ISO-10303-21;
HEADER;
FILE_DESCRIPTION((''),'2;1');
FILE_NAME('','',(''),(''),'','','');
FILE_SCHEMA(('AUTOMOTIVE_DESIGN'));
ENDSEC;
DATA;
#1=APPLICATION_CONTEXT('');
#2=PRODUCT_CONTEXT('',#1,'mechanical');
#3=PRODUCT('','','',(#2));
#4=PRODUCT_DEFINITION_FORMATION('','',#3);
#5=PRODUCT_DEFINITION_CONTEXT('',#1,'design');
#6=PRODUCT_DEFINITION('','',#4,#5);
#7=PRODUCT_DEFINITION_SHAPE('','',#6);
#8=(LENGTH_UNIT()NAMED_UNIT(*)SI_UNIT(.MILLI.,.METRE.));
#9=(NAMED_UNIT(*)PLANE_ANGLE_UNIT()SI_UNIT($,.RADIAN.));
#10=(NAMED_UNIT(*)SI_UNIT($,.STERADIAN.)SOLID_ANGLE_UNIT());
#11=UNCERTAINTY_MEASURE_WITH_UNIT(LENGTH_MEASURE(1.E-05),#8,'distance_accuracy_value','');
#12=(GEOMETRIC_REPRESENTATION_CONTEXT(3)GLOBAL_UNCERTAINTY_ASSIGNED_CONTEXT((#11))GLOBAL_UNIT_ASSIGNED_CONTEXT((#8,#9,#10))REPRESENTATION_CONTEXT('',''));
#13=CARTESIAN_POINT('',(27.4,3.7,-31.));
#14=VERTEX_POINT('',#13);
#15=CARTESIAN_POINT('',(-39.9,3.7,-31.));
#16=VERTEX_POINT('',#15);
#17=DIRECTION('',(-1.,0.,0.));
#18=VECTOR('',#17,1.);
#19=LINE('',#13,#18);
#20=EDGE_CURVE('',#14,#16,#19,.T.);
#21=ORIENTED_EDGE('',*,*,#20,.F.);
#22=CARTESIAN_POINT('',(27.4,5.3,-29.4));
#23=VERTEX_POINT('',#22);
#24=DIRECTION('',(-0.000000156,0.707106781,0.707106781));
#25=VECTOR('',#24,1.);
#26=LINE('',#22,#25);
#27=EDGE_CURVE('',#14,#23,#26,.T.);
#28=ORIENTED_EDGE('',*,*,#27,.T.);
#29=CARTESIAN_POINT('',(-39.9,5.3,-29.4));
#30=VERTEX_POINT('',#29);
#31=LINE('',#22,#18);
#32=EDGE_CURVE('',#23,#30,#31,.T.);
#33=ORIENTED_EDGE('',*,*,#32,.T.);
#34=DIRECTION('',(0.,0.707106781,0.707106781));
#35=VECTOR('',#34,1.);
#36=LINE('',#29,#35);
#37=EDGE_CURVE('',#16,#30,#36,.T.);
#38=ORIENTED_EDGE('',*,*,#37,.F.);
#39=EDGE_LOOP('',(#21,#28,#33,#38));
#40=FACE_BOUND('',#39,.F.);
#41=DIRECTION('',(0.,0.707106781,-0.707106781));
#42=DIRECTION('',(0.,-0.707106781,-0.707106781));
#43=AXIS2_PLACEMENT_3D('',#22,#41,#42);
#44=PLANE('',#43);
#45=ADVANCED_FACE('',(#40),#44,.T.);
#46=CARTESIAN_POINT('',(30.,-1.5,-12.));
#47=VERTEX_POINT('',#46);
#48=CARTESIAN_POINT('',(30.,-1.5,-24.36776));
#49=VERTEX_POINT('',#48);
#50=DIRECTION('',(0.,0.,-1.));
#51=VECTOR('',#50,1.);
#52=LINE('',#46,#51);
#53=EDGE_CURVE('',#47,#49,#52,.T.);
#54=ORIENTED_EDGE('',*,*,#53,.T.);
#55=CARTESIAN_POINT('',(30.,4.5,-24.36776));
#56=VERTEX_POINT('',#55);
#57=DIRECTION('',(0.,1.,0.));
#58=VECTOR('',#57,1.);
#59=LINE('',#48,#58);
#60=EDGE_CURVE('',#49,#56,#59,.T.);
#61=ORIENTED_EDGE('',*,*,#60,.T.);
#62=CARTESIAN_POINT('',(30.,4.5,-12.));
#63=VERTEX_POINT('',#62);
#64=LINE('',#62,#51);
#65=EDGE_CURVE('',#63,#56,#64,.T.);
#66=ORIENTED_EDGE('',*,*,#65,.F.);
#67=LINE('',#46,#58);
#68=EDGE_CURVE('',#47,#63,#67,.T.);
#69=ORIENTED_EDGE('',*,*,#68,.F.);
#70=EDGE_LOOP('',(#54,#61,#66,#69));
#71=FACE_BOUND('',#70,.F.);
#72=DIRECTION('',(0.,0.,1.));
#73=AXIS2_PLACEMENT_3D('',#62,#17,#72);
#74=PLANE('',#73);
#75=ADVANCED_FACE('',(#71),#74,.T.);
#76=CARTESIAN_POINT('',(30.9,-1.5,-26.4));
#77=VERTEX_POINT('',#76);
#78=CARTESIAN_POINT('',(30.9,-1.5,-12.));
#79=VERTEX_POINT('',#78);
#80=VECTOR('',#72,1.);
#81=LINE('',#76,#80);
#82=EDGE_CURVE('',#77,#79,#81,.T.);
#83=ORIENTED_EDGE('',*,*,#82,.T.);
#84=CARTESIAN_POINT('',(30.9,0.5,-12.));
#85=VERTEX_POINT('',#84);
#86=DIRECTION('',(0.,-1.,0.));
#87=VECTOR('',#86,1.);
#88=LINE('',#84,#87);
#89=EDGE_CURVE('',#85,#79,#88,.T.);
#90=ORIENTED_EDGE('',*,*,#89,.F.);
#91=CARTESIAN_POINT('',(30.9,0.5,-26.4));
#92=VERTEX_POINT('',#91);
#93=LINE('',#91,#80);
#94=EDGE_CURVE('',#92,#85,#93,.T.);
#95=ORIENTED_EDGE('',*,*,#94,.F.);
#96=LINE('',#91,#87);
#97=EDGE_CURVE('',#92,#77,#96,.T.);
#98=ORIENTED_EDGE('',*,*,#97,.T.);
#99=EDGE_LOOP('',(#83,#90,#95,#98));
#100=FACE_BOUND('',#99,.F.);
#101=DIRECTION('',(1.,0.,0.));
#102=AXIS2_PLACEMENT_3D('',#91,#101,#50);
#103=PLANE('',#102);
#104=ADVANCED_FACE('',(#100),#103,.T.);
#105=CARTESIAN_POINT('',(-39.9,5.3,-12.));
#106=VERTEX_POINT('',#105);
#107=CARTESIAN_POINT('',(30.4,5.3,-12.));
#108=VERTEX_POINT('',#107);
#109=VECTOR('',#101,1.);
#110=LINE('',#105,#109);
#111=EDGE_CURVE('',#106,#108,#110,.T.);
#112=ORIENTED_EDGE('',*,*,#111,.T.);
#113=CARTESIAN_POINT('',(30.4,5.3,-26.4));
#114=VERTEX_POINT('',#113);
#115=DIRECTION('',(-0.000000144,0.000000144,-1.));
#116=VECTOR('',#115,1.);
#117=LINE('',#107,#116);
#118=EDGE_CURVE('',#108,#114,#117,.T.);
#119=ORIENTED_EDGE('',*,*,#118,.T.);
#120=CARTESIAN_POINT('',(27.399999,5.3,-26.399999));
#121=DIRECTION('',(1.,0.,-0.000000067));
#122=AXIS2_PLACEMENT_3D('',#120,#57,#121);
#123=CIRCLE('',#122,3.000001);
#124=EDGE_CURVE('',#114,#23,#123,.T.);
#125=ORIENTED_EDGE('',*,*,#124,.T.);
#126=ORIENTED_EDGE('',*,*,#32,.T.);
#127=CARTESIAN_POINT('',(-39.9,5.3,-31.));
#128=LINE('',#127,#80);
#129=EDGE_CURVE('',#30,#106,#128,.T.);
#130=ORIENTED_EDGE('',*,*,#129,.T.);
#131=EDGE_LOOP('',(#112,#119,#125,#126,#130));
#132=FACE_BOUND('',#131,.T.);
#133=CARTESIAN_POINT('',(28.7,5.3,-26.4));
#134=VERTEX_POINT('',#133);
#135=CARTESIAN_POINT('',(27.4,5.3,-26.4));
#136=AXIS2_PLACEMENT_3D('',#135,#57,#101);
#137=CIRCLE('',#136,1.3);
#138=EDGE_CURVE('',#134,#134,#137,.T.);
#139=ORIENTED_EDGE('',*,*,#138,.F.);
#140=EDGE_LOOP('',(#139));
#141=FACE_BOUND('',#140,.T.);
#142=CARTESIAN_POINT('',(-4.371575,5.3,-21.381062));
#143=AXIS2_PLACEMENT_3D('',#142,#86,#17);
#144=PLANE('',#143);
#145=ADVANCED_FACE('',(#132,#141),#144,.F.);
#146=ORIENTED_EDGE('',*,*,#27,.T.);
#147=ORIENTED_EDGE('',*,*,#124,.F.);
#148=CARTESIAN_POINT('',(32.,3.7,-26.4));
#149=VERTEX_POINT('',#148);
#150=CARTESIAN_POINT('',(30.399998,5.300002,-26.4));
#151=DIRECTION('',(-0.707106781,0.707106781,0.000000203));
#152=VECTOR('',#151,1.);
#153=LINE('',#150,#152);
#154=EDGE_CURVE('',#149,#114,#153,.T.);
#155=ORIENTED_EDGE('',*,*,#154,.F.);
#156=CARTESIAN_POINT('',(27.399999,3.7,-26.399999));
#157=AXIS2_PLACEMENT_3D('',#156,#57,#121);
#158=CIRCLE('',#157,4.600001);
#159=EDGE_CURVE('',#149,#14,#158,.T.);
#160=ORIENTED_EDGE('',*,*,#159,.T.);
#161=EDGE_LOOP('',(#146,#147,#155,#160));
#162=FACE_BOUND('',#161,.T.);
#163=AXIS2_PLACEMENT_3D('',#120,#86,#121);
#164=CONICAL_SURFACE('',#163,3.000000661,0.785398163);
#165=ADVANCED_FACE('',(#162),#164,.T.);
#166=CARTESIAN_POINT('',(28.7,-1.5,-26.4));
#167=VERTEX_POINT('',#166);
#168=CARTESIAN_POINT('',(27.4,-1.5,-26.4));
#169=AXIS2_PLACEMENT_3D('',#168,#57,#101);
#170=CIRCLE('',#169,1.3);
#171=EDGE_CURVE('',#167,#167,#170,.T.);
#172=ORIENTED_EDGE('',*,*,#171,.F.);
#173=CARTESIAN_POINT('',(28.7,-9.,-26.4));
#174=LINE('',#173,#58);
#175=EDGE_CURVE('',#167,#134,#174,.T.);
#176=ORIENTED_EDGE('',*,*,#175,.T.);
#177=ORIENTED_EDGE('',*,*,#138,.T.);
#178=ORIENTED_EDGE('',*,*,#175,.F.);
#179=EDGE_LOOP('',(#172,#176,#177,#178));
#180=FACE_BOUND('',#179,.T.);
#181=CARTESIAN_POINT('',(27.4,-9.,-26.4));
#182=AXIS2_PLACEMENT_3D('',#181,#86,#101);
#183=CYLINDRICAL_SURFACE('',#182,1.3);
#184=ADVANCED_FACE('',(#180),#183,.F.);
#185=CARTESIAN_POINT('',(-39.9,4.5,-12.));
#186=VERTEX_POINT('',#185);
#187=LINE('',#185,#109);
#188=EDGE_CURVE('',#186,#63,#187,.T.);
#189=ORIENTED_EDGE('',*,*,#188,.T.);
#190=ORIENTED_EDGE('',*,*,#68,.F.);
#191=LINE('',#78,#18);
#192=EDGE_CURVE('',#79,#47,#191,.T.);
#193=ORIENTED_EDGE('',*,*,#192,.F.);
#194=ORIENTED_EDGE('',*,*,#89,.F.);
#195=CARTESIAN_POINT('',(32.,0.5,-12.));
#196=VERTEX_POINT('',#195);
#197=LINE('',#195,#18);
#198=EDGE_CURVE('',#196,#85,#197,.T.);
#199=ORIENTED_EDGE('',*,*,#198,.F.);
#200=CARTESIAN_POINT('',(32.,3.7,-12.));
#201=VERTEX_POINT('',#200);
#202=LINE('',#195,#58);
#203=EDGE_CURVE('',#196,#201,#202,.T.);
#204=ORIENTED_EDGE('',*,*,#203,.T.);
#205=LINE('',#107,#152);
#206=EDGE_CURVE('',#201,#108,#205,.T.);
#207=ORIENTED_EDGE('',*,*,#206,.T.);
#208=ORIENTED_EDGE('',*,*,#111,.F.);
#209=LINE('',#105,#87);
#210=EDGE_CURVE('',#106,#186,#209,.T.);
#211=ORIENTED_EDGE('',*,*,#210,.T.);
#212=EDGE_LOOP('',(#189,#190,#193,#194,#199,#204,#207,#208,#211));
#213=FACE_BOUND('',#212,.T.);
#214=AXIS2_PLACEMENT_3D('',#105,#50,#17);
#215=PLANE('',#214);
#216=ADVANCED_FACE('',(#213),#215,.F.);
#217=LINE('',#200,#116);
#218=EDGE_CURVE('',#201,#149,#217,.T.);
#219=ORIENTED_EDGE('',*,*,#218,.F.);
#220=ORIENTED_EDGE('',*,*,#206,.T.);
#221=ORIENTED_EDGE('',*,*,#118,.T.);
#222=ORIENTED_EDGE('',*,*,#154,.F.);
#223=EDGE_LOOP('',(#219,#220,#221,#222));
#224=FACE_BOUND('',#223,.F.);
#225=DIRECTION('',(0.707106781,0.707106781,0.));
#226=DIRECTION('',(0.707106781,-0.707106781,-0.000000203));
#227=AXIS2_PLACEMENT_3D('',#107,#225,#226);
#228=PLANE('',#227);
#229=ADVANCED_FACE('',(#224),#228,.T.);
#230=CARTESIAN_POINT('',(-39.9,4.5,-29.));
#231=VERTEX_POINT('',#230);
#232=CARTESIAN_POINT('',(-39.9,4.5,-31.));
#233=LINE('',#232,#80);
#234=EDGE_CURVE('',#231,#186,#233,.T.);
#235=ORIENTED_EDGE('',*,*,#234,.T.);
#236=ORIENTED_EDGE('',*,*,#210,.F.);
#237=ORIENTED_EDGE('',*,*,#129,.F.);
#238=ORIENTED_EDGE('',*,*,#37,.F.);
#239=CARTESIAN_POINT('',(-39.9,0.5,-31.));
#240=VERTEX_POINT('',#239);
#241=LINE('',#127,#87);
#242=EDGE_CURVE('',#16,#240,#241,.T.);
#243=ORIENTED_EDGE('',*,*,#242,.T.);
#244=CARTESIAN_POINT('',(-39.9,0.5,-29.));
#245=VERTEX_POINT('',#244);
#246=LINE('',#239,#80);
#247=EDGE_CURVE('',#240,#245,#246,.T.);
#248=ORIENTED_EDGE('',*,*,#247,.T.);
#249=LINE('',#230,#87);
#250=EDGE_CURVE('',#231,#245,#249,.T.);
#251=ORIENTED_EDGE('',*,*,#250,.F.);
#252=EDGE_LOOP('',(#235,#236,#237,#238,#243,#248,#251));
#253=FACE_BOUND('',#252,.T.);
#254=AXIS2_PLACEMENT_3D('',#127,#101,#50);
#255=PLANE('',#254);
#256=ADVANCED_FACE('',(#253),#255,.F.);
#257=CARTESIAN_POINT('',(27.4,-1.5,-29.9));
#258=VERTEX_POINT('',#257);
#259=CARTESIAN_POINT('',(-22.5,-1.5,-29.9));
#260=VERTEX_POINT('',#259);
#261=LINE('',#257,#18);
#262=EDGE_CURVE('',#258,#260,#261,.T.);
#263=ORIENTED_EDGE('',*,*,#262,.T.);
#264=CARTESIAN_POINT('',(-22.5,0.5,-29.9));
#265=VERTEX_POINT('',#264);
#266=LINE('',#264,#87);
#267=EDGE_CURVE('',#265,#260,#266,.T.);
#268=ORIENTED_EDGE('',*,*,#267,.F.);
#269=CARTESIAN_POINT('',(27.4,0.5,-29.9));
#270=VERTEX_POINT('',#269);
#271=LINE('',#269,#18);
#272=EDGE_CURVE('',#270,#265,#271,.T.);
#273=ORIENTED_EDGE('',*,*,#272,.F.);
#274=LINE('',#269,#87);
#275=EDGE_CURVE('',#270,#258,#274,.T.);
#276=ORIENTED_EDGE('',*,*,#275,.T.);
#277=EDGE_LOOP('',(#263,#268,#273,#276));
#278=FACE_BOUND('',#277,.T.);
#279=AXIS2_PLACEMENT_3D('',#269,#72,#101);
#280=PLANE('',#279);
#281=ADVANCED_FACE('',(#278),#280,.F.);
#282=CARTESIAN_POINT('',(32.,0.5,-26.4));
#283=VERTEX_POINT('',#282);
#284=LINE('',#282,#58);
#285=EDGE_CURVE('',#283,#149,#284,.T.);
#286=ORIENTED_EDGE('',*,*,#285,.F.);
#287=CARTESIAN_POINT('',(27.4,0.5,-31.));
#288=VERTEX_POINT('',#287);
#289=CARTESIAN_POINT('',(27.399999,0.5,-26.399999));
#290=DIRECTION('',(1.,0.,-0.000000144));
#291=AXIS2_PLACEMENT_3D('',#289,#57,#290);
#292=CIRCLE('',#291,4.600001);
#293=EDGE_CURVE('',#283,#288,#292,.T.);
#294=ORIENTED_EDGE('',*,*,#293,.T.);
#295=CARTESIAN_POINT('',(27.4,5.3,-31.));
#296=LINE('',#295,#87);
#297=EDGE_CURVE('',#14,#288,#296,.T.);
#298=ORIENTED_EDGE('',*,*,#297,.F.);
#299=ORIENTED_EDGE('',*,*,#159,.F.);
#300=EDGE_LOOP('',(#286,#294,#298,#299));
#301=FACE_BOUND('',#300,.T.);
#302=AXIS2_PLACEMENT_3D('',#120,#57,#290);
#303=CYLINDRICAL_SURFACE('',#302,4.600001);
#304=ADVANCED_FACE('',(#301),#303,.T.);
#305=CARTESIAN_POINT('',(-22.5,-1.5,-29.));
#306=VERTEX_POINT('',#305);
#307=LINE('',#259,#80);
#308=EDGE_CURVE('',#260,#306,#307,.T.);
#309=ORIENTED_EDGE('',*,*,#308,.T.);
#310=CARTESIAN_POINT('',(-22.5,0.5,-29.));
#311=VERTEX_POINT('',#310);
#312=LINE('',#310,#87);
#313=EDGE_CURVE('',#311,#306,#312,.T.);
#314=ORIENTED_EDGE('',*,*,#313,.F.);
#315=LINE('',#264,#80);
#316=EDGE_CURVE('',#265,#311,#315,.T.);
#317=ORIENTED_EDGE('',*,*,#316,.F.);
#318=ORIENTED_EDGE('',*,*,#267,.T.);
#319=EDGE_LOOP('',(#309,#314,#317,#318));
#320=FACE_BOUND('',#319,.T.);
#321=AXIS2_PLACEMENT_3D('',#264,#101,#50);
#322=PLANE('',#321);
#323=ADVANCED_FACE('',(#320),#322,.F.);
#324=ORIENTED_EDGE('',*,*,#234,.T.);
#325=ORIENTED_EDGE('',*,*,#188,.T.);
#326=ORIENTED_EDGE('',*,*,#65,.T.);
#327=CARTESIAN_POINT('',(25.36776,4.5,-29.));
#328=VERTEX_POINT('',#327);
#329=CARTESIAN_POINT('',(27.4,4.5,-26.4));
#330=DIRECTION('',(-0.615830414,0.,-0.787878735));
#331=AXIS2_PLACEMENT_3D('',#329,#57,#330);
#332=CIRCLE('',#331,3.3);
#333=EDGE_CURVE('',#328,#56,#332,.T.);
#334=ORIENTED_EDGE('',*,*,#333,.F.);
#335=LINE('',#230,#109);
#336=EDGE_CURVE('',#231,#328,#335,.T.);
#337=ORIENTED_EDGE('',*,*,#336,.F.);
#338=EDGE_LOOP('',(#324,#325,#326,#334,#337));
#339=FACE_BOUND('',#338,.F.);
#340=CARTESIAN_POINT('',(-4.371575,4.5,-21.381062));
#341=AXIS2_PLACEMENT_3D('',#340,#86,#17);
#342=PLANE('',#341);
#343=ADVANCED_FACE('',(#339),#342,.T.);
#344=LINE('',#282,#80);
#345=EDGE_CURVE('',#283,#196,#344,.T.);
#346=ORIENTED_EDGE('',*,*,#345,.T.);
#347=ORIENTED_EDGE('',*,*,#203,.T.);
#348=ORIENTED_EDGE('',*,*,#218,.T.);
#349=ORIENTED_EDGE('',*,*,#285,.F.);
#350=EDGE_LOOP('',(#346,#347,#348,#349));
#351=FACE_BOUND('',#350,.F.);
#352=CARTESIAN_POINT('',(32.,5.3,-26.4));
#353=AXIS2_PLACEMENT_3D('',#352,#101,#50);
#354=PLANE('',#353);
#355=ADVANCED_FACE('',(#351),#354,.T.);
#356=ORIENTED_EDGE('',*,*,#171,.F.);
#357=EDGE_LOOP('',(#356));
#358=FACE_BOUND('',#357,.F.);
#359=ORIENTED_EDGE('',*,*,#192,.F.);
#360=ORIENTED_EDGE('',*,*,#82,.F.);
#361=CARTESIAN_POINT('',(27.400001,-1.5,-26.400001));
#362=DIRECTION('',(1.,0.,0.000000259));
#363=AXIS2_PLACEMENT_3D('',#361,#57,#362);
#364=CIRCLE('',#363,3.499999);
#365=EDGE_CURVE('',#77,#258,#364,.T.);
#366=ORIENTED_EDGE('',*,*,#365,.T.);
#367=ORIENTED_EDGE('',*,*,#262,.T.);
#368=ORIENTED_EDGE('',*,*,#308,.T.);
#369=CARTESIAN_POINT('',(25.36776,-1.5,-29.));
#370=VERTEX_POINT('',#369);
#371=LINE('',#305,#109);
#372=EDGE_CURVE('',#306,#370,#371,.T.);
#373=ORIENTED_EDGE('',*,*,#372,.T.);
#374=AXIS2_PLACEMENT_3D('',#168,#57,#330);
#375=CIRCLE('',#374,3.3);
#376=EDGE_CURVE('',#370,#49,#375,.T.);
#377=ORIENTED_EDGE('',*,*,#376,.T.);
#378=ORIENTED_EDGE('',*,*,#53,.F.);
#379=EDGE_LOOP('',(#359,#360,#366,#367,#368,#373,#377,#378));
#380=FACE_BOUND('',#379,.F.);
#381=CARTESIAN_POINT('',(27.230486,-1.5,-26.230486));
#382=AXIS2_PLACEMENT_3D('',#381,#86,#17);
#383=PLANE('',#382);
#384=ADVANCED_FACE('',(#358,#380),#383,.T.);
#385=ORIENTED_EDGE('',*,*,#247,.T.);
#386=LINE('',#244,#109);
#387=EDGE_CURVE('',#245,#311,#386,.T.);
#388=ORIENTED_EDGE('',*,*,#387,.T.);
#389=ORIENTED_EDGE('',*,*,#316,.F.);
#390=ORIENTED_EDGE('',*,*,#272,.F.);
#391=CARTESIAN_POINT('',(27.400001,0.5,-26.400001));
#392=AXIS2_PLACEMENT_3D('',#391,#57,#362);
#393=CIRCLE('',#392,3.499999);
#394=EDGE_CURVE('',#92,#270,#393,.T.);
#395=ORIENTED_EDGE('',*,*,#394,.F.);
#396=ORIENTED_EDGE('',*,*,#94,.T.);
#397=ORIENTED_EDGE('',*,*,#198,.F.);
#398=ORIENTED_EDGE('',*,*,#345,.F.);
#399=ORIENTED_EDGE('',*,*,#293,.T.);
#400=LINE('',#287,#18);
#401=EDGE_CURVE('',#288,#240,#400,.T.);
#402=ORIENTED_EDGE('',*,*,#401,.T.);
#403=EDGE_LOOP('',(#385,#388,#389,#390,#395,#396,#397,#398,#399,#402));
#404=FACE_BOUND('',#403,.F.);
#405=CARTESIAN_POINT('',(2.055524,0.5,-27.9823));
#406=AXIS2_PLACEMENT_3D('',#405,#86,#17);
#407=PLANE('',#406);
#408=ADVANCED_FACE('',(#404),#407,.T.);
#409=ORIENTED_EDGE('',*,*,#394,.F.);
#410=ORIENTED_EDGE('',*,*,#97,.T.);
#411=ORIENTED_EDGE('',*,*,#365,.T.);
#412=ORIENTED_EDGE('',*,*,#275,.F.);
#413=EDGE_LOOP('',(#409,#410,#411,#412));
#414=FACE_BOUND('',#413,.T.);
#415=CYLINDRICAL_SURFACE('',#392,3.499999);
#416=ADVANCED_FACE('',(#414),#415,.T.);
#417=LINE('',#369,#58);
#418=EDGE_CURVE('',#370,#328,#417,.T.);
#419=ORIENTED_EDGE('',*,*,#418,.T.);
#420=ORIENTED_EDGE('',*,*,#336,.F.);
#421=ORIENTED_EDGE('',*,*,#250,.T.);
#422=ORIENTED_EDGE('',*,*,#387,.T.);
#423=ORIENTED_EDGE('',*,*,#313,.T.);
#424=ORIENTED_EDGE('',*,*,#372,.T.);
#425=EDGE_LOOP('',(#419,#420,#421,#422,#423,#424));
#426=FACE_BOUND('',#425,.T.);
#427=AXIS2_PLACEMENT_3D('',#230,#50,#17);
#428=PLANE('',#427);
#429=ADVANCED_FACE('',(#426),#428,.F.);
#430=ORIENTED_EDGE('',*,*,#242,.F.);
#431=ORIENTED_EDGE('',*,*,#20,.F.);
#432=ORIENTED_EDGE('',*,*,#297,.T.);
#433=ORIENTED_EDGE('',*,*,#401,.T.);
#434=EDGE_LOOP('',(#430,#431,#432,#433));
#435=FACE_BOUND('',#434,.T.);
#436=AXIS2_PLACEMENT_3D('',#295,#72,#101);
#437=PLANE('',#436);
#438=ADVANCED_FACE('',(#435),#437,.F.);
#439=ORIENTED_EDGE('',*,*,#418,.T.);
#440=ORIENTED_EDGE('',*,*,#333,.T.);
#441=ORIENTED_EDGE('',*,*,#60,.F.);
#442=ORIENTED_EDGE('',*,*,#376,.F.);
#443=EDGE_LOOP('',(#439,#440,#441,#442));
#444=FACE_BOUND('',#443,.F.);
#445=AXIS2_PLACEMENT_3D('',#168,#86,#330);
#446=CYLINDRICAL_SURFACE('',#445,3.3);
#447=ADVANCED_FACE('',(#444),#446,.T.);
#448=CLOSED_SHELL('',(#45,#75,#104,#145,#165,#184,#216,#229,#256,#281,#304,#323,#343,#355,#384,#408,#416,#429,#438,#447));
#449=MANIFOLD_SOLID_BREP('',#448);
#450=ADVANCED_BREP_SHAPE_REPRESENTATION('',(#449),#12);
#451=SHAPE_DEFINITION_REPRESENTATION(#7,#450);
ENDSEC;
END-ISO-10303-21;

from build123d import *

# Parameters (mm, degrees)
SKETCH005_R      = 1.3
EXTRUDE003_DEPTH = 20
EXTRUDE039_DEPTH = 4
EXTRUDE042_DEPTH = 0.8
EXTRUDE002_DEPTH = 6
EXTRUDE037_DEPTH = 2


with BuildPart() as sweep001:
    # Sweep001: sweep along a path in Sketch034
    with BuildLine(Plane.XZ.offset(10)) as sweep001_path:
        Line((32, 12), (32, 26.4))
        ThreePointArc((32, 26.4), (30.652691, 29.652691), (27.4, 31))
        Line((27.4, 31), (-39.9, 31))
    # Sketch035 → Sweep001 (sweep)
    with BuildSketch(Plane.YZ):
        Polygon((5.3, 29.4), (3.7, 31), (3.7, 32), (6, 32), (6, 29.4), align=None)
    sweep(path=sweep001_path.line)


with BuildPart() as fusion030:
    # Sketch005 → Extrude003 (new body)
    with BuildSketch(Plane.XZ.offset(5)):
        with Locations((27.4, 26.4)):
            Circle(SKETCH005_R)
    extrude(amount=-EXTRUDE003_DEPTH)


with BuildPart() as fusion030_1:
    # Extrude003 placement: moved
    add(fusion030.part.moved(Location((0, -4, 0))))

    # Fusion030: union Sweep001
    add(sweep001.part)


with BuildPart() as top003:
    # Sketch028 → Extrude039 (new body)
    with BuildSketch(Plane.XZ.offset(10)):
        with BuildLine():
            ThreePointArc((32, 26.4), (30.652691, 29.652691), (27.4, 31))
            Line((27.4, 31), (-39.9, 31))
            Line((-39.9, 31), (-39.9, 29))
            Line((-39.9, 29), (27.4, 29))
            ThreePointArc((30, 26.4), (29.238478, 28.238478), (27.4, 29))
            Line((30, 12), (30, 26.4))
            Line((32, 12), (30, 12))
            Line((32, 26.4), (32, 12))
        make_face()
    extrude(amount=EXTRUDE039_DEPTH)


with BuildPart() as top003_1:
    # Extrude039 placement: moved
    add(top003.part.moved(Location((0, 14.5, 0))))


with BuildPart() as top002:
    # Sketch031 → Extrude042 (new body)
    with BuildSketch(Plane.XZ.offset(10)):
        with BuildLine():
            ThreePointArc((32, 26.4), (30.652691, 29.652691), (27.4, 31))
            Line((27.4, 31), (-39.9, 31))
            Line((-39.9, 31), (-39.9, 12))
            Line((-39.9, 12), (32, 12))
            Line((32, 26.4), (32, 12))
        make_face()
    extrude(amount=EXTRUDE042_DEPTH)


with BuildPart() as top002_1:
    # Extrude042 placement: moved
    add(top002.part.moved(Location((0, 15.3, 0))))


with BuildPart() as screw_hole_top:
    # Sketch004 → Extrude002 (new body)
    with BuildSketch(Plane.XZ.offset(10)):
        with BuildLine():
            ThreePointArc((25.36776, 29), (25.066548, 24.066548), (30, 24.36776))
            Line((30, 24.36776), (30, 26.4))
            ThreePointArc((30, 26.4), (29.238478, 28.238478), (27.4, 29))
            Line((25.36776, 29), (27.4, 29))
        make_face()
    extrude(amount=-EXTRUDE002_DEPTH)


with BuildPart() as screw_hole_top_1:
    # Extrude002 placement: moved
    add(screw_hole_top.part.moved(Location((0, 8.5, 0))))


with BuildPart() as top:
    # Sketch029 → Extrude037 (new body)
    with BuildSketch(Plane.XZ.offset(10)):
        with BuildLine():
            ThreePointArc((30.9, 26.4), (29.874874, 28.874874), (27.4, 29.9))
            Line((27.4, 29.9), (-22.5, 29.9))
            Line((-22.5, 29.9), (-22.5, 29))
            Line((-22.5, 29), (27.4, 29))
            ThreePointArc((30, 26.4), (29.238478, 28.238478), (27.4, 29))
            Line((30, 12), (30, 26.4))
            Line((30.9, 12), (30, 12))
            Line((30.9, 26.4), (30.9, 12))
        make_face()
    extrude(amount=EXTRUDE037_DEPTH)


with BuildPart() as top_1:
    # Extrude037 placement: moved
    add(top.part.moved(Location((0, 10.5, 0))))

    # Fusion028: union top003, top002, screw hole top
    add(top003_1.part)
    add(top002_1.part)
    add(screw_hole_top_1.part)

    # Cut024: cut Fusion030
    add(fusion030_1.part, mode=Mode.SUBTRACT)


with BuildPart() as part_mirroring001:
    # Part__Mirroring001: instance of top
    add(top_1.part.mirror(Plane(origin=(0, 0, 0), x_dir=(0, 1, 0), z_dir=(0, 0, 1))))


solid = part_mirroring001.part
